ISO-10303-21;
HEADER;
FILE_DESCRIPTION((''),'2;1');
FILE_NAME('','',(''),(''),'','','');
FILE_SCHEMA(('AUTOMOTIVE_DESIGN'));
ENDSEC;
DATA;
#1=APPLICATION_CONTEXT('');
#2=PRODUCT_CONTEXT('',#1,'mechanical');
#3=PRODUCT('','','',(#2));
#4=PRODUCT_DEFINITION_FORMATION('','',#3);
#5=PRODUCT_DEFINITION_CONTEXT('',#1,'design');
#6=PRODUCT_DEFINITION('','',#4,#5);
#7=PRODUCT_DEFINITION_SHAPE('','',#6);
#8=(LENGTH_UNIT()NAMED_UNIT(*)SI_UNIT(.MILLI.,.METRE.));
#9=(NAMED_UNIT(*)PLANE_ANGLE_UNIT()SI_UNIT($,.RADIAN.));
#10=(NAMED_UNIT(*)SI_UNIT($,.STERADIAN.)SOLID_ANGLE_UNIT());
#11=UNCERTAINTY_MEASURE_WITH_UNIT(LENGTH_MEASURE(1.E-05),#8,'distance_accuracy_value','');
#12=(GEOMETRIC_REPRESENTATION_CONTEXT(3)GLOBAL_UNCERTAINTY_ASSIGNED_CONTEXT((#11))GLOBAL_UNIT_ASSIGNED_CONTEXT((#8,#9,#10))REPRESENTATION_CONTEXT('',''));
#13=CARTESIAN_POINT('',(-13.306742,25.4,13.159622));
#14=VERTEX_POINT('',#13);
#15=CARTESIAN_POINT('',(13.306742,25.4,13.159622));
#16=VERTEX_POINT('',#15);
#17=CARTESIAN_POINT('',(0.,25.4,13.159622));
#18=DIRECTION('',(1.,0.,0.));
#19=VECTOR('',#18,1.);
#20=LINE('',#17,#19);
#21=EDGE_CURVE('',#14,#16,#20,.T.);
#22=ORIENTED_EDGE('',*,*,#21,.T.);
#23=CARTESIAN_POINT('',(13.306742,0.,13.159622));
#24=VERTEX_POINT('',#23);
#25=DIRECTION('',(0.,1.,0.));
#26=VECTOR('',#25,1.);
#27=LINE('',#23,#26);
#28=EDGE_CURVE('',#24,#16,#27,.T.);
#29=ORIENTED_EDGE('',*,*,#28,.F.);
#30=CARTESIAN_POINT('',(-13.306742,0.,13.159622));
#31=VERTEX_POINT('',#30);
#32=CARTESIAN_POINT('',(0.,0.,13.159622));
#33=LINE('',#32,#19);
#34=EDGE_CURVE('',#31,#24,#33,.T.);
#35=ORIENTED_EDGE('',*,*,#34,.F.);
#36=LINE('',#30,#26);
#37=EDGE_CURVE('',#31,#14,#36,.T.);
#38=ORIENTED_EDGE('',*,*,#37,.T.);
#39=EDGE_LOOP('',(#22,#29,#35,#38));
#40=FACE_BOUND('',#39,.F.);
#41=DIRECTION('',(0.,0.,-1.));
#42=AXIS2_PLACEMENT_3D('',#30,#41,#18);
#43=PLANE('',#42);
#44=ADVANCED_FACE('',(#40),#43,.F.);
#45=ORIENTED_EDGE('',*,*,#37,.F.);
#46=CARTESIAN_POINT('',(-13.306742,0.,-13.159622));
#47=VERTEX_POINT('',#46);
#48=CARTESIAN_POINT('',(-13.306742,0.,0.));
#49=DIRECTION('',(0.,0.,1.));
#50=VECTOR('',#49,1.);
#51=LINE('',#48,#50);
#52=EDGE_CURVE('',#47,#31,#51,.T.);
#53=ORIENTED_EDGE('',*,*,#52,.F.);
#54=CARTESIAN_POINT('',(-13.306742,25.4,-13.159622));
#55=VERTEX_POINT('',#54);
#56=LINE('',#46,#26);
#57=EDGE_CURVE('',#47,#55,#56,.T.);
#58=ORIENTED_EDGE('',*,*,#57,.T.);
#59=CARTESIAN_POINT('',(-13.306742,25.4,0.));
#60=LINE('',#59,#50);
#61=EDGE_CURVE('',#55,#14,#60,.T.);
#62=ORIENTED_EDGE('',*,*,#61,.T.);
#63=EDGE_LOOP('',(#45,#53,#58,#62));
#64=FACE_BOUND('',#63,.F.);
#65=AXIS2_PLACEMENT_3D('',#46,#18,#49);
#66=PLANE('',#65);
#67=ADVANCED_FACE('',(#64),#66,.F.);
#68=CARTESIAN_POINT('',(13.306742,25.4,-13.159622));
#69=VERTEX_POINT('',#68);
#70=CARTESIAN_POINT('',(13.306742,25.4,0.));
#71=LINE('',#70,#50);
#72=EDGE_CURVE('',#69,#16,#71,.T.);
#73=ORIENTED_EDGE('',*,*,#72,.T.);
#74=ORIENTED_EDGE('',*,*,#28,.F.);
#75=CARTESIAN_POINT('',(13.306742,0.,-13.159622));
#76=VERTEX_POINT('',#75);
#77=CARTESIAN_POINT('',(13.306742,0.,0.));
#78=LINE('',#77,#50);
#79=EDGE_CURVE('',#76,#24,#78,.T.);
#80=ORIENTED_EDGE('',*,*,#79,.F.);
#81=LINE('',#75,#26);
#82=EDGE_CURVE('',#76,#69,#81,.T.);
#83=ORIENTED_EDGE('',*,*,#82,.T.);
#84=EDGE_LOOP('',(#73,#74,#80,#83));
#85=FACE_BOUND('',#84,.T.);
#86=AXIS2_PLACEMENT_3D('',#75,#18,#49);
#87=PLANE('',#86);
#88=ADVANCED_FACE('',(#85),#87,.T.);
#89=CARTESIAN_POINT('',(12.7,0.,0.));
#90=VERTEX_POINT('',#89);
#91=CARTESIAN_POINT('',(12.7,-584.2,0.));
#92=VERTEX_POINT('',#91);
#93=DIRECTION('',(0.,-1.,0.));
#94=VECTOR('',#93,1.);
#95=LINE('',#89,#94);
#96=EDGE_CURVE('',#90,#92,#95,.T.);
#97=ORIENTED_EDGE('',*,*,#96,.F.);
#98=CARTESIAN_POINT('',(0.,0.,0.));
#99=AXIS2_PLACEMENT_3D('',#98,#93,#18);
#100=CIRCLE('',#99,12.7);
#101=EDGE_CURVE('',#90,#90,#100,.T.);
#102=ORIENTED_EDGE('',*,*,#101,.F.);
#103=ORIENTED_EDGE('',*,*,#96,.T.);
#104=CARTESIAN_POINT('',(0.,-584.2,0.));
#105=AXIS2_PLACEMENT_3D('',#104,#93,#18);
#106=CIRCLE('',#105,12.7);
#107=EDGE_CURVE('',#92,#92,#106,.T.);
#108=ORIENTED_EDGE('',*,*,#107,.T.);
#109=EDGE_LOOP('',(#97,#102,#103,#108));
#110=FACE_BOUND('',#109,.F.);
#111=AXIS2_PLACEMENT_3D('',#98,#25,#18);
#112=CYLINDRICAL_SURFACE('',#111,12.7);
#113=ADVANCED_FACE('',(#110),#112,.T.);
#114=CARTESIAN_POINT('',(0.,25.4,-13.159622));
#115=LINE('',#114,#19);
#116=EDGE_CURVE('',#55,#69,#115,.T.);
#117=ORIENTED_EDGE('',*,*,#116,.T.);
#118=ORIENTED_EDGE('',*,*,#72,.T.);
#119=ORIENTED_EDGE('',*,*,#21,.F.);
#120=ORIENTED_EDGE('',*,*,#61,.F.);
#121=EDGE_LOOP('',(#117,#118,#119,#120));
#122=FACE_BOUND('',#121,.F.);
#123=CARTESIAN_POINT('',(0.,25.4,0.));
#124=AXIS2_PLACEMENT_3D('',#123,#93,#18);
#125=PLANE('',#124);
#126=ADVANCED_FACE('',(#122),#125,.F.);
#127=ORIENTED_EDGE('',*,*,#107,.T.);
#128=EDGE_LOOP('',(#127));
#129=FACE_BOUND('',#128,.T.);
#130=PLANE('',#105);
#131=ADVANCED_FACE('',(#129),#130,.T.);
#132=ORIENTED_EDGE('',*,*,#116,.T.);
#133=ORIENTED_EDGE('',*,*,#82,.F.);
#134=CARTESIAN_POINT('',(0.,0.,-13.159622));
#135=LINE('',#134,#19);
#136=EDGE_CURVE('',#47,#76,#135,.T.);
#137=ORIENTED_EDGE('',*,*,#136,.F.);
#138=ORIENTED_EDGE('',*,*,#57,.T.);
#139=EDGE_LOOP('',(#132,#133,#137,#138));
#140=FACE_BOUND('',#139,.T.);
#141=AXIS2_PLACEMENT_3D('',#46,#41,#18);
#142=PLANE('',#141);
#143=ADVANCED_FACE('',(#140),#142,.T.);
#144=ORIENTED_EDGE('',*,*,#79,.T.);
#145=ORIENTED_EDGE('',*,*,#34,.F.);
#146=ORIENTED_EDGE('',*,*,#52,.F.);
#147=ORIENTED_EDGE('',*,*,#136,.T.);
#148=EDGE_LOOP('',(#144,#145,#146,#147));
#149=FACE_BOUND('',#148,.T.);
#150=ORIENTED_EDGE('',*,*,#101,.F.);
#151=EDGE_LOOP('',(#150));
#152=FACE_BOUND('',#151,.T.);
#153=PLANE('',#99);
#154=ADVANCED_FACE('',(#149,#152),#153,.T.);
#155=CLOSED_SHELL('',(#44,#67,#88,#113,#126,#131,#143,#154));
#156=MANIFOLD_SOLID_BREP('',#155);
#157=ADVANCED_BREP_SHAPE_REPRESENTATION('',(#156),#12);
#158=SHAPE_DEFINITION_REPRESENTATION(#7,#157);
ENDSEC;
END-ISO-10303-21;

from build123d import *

# Parameters (mm, degrees)
F0_R     = 12.7
F1_DEPTH = 584.2
F0_W     = 26.6134832054
F0_H     = 26.3192448765
F2_DEPTH = 25.4


with BuildPart() as f1:
    # F0 (on Front) → F1 (new body)
    with BuildSketch(Plane.XZ):
        Circle(F0_R)
    extrude(amount=F1_DEPTH)

    # F0 (on Front) → F2 (join)
    with BuildSketch(Plane.XZ):
        Rectangle(F0_W, F0_H)
        Circle(F0_R, mode=Mode.SUBTRACT)
        Circle(F0_R)
    extrude(amount=-F2_DEPTH)


solid = f1.part
